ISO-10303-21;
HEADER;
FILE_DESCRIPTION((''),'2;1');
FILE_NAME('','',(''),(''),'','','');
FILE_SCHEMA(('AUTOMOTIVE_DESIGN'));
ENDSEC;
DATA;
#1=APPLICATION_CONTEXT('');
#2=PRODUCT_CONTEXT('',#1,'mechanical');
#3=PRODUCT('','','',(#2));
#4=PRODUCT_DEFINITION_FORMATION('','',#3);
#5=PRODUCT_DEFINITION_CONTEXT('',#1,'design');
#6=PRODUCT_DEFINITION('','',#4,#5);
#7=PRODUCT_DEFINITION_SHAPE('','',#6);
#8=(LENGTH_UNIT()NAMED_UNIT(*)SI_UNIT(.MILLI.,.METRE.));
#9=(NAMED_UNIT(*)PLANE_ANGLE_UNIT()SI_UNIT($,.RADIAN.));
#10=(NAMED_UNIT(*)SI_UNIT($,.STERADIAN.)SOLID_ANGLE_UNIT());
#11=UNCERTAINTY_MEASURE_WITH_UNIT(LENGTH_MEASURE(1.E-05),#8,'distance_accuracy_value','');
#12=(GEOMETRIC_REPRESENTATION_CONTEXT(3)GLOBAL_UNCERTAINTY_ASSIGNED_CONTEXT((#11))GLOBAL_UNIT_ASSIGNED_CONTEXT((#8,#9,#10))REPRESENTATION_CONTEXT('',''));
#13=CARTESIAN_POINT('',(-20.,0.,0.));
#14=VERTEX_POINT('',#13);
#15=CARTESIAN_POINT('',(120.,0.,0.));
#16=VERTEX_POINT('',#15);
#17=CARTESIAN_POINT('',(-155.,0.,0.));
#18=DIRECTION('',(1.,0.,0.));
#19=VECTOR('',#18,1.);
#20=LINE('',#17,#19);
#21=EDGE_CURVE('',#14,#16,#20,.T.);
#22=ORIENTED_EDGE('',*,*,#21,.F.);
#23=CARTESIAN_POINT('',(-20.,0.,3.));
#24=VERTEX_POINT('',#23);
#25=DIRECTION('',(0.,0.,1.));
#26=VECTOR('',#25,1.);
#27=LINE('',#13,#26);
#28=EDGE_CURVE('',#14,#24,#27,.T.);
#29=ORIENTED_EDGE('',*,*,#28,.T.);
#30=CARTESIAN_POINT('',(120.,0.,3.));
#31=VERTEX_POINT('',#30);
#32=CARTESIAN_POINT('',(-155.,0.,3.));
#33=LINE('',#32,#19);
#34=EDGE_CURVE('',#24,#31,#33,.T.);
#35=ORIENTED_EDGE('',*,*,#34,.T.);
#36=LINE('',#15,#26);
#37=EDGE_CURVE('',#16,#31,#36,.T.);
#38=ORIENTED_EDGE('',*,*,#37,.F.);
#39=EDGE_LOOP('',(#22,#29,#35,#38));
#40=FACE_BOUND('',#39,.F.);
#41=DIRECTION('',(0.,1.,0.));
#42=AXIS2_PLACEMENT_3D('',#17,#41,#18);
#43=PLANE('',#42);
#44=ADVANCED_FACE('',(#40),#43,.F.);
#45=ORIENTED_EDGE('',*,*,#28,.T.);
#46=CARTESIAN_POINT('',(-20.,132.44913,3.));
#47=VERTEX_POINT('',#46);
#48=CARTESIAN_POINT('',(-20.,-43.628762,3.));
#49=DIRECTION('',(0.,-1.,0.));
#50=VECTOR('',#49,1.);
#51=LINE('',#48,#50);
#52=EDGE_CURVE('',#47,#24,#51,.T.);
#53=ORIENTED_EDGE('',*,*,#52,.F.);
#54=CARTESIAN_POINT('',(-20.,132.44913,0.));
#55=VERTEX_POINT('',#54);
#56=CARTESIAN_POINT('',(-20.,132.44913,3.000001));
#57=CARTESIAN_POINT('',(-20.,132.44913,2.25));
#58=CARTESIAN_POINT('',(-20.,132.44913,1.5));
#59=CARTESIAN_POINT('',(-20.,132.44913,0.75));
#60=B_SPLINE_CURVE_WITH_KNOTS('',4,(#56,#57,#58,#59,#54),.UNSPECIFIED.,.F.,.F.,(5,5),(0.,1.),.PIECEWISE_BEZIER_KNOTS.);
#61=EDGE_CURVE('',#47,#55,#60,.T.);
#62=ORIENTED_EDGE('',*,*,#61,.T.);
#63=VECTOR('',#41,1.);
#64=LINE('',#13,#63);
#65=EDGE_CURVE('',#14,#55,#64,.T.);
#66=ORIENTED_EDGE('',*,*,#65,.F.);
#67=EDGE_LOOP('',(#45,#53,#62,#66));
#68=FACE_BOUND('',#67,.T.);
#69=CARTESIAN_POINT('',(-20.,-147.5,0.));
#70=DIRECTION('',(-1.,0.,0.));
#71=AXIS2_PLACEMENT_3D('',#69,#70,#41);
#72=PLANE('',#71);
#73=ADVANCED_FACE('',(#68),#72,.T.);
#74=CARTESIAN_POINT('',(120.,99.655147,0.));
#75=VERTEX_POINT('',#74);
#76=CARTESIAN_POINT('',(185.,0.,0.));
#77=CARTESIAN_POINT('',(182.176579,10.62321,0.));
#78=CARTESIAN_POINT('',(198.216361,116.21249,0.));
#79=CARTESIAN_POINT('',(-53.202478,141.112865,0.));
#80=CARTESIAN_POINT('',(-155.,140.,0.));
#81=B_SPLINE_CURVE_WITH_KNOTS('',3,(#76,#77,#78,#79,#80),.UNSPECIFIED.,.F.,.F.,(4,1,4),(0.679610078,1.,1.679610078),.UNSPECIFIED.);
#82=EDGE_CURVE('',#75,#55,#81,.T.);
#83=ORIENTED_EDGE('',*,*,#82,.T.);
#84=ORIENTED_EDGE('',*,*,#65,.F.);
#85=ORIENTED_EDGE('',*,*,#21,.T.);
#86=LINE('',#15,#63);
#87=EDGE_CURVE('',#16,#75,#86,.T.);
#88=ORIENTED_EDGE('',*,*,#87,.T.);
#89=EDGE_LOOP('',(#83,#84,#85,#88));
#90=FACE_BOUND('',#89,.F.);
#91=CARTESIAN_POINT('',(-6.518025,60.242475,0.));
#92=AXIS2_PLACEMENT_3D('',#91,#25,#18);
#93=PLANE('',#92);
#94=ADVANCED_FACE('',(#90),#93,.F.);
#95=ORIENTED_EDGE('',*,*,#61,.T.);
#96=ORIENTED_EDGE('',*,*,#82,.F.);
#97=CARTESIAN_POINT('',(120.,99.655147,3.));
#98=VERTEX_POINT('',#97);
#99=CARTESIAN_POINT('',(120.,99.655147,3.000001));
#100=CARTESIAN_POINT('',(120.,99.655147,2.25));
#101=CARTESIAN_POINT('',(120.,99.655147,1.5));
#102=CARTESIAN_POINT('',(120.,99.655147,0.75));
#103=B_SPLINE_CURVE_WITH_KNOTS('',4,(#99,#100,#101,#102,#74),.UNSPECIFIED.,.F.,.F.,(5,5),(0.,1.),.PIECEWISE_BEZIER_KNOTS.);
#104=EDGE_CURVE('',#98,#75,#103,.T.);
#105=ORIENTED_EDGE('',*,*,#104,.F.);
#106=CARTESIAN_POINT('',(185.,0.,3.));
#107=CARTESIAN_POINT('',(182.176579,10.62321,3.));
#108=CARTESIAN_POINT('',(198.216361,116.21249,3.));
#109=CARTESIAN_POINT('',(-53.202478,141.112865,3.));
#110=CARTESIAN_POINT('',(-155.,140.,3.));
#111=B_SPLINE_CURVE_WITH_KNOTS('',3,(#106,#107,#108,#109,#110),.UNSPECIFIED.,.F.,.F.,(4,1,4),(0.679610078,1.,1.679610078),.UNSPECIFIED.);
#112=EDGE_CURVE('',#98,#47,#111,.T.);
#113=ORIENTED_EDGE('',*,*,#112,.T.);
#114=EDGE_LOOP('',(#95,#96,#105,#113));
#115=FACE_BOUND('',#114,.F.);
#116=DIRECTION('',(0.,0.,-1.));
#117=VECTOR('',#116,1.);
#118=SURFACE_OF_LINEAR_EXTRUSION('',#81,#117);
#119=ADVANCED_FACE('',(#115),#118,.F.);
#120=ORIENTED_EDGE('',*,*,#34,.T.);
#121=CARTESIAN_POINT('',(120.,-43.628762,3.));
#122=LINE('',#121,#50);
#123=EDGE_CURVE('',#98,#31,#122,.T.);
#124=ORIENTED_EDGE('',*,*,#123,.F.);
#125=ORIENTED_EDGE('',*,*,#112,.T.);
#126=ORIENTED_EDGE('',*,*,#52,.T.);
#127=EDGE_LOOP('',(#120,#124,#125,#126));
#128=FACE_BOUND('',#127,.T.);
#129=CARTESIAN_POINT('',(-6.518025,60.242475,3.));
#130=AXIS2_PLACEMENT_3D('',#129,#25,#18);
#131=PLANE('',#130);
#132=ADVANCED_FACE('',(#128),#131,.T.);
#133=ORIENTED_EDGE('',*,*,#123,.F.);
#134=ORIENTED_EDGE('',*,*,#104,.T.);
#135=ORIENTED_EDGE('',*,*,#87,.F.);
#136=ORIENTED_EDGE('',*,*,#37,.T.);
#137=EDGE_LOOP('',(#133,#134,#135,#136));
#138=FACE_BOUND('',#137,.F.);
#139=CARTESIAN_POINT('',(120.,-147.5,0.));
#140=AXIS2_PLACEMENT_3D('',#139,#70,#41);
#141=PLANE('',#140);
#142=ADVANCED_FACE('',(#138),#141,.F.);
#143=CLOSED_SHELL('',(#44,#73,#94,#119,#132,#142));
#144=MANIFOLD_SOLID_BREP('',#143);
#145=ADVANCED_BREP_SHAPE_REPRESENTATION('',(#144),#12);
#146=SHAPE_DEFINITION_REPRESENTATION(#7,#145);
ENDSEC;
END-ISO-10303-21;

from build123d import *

# Parameters (mm, degrees)
F1_DEPTH = 3
F2_W     = 900
F2_H     = 300
F2_W_2   = 140
F2_H_2   = 295
F3_DEPTH = 25


with BuildPart() as f1:
    # F0 (on Top) → F1 (new body)
    with BuildSketch(Plane.XY):
        with BuildLine():
            Line((-155, 140), (-155, 0))
            Line((-155, 0), (165, 0))
            Line((165, 0), (165, 70))
            add(Edge.make_bspline(
                [(-155, 140), (-53.2024780843, 141.1128647565), (117.6642985985, 124.1903189238), (165, 70)],
                knots=[0, 0, 0, 0, 0.6796100777, 0.6796100777, 0.6796100777, 0.6796100777], degree=3))
        make_face()
        with BuildLine():
            Line((165, 70), (165, 0))
            Line((165, 0), (185, 0))
            add(Edge.make_bspline(
                [(165, 70), (187.315563281, 44.4529508308), (182.1765787186, 10.6232095777), (185, 0)],
                knots=[0.6796100777, 0.6796100777, 0.6796100777, 0.6796100777, 1, 1, 1, 1], degree=3))
        make_face()
    extrude(amount=F1_DEPTH)


with BuildPart() as f3:
    # F2 (on Top) → F3 (new body)
    with BuildSketch(Plane.XY):
        Rectangle(F2_W, F2_H)
        Rectangle(F2_W_2, F2_H_2, mode=Mode.SUBTRACT)
    extrude(amount=F3_DEPTH)


with BuildPart() as f3_1:
    # F4: moved
    add(f3.part.moved(Location((50, 0, 0))))


with BuildPart() as f1_1:
    add(f1.part)

    # F5: cut F3
    add(f3_1.part, mode=Mode.SUBTRACT)


solid = f1_1.part
